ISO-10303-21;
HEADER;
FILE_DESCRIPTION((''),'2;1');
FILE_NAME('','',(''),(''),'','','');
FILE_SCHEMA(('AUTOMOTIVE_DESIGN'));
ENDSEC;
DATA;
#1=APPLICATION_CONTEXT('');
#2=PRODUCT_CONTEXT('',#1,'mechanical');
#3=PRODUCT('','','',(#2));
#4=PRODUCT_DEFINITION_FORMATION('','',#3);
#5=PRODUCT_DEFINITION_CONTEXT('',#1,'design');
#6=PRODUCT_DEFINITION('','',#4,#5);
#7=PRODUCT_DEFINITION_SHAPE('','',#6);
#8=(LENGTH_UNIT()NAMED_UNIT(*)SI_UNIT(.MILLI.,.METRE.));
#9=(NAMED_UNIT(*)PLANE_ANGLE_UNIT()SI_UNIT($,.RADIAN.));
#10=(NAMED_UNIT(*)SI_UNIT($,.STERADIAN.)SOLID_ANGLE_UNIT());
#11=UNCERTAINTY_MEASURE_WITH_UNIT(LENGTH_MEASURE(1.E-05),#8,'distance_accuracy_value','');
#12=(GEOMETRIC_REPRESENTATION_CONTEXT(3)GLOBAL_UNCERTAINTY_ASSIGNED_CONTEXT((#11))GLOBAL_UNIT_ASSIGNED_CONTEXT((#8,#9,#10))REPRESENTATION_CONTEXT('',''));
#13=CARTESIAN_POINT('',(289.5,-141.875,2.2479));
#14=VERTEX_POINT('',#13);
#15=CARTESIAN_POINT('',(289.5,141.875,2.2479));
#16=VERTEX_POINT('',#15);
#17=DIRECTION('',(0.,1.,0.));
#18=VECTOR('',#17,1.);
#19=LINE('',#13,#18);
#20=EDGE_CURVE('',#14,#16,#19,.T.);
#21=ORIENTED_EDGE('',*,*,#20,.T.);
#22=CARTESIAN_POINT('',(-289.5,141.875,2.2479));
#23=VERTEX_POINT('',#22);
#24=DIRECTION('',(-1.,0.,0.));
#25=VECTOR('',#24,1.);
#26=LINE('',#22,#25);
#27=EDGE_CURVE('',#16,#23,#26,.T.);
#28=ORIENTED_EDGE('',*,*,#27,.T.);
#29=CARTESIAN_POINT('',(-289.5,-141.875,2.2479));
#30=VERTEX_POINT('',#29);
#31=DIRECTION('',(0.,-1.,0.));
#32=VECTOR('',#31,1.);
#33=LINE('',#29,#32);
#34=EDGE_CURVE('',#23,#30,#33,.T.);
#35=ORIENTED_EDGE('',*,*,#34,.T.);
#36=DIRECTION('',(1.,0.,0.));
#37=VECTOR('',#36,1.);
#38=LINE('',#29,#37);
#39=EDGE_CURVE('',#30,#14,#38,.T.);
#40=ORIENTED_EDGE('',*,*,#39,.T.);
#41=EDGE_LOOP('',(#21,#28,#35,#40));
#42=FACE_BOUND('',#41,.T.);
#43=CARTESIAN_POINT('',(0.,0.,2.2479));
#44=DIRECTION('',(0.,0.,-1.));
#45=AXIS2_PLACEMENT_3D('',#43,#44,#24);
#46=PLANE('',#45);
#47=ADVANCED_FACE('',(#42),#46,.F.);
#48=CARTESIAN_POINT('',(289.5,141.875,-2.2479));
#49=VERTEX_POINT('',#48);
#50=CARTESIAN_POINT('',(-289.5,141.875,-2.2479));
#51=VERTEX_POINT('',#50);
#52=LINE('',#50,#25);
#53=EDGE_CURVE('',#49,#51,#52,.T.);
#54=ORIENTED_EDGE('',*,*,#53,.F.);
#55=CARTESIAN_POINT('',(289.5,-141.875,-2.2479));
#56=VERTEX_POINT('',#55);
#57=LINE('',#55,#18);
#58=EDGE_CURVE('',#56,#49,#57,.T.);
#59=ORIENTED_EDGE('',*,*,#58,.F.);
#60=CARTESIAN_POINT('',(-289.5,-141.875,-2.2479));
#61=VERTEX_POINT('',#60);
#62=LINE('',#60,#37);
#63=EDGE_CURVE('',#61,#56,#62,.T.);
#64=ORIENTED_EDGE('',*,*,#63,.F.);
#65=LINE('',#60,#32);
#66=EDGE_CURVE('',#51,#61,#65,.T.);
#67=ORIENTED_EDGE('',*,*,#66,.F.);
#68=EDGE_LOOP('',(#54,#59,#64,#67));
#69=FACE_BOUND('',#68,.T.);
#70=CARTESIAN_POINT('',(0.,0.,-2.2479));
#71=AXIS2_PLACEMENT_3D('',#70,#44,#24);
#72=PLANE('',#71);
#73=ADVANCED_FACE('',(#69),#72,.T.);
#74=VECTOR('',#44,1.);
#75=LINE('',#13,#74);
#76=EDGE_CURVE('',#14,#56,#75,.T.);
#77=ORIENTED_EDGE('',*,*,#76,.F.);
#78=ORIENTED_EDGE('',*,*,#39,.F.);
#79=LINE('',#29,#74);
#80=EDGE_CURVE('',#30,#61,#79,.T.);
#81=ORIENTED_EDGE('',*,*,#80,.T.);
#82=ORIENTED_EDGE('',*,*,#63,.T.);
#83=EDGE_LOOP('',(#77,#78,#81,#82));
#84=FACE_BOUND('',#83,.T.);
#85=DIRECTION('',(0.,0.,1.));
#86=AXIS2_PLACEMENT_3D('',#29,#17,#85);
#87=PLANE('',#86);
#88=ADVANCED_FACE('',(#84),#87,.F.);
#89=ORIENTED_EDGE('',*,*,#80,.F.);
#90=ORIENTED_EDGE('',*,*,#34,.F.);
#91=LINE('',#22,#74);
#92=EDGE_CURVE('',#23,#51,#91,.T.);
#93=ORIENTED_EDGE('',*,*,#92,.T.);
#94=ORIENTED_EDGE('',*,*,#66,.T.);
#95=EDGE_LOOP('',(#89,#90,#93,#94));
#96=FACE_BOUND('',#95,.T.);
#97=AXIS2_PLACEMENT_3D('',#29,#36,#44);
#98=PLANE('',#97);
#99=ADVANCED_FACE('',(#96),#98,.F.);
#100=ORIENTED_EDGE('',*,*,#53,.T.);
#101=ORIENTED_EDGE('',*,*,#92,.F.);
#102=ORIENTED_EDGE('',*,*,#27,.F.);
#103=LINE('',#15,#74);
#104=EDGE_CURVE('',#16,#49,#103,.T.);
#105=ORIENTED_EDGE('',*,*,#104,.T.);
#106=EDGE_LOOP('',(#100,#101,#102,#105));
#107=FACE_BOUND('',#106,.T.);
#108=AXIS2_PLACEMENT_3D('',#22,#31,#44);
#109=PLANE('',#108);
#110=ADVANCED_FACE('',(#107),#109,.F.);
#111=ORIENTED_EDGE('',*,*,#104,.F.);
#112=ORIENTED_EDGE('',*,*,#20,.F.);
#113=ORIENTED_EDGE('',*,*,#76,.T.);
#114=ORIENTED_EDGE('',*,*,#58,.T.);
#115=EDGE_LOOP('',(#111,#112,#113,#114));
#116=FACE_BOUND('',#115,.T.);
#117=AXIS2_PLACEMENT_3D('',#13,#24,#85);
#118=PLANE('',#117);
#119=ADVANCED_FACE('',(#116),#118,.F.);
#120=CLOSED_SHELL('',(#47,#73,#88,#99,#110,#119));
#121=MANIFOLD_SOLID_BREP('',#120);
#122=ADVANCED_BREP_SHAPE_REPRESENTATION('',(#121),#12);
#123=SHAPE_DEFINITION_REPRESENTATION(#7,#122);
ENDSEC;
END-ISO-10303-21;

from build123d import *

# Parameters (mm, degrees)
SKETCH1_W           = 579
SKETCH1_H           = 283.75
BOSS_EXTRUDE1_DEPTH = 2.2479


with BuildPart() as part:
    # Sketch1 → Boss-Extrude1 (new body, symmetric)
    with BuildSketch(Plane.XY):
        Rectangle(SKETCH1_W, SKETCH1_H)
    extrude(amount=BOSS_EXTRUDE1_DEPTH, both=True)


solid = part.part
